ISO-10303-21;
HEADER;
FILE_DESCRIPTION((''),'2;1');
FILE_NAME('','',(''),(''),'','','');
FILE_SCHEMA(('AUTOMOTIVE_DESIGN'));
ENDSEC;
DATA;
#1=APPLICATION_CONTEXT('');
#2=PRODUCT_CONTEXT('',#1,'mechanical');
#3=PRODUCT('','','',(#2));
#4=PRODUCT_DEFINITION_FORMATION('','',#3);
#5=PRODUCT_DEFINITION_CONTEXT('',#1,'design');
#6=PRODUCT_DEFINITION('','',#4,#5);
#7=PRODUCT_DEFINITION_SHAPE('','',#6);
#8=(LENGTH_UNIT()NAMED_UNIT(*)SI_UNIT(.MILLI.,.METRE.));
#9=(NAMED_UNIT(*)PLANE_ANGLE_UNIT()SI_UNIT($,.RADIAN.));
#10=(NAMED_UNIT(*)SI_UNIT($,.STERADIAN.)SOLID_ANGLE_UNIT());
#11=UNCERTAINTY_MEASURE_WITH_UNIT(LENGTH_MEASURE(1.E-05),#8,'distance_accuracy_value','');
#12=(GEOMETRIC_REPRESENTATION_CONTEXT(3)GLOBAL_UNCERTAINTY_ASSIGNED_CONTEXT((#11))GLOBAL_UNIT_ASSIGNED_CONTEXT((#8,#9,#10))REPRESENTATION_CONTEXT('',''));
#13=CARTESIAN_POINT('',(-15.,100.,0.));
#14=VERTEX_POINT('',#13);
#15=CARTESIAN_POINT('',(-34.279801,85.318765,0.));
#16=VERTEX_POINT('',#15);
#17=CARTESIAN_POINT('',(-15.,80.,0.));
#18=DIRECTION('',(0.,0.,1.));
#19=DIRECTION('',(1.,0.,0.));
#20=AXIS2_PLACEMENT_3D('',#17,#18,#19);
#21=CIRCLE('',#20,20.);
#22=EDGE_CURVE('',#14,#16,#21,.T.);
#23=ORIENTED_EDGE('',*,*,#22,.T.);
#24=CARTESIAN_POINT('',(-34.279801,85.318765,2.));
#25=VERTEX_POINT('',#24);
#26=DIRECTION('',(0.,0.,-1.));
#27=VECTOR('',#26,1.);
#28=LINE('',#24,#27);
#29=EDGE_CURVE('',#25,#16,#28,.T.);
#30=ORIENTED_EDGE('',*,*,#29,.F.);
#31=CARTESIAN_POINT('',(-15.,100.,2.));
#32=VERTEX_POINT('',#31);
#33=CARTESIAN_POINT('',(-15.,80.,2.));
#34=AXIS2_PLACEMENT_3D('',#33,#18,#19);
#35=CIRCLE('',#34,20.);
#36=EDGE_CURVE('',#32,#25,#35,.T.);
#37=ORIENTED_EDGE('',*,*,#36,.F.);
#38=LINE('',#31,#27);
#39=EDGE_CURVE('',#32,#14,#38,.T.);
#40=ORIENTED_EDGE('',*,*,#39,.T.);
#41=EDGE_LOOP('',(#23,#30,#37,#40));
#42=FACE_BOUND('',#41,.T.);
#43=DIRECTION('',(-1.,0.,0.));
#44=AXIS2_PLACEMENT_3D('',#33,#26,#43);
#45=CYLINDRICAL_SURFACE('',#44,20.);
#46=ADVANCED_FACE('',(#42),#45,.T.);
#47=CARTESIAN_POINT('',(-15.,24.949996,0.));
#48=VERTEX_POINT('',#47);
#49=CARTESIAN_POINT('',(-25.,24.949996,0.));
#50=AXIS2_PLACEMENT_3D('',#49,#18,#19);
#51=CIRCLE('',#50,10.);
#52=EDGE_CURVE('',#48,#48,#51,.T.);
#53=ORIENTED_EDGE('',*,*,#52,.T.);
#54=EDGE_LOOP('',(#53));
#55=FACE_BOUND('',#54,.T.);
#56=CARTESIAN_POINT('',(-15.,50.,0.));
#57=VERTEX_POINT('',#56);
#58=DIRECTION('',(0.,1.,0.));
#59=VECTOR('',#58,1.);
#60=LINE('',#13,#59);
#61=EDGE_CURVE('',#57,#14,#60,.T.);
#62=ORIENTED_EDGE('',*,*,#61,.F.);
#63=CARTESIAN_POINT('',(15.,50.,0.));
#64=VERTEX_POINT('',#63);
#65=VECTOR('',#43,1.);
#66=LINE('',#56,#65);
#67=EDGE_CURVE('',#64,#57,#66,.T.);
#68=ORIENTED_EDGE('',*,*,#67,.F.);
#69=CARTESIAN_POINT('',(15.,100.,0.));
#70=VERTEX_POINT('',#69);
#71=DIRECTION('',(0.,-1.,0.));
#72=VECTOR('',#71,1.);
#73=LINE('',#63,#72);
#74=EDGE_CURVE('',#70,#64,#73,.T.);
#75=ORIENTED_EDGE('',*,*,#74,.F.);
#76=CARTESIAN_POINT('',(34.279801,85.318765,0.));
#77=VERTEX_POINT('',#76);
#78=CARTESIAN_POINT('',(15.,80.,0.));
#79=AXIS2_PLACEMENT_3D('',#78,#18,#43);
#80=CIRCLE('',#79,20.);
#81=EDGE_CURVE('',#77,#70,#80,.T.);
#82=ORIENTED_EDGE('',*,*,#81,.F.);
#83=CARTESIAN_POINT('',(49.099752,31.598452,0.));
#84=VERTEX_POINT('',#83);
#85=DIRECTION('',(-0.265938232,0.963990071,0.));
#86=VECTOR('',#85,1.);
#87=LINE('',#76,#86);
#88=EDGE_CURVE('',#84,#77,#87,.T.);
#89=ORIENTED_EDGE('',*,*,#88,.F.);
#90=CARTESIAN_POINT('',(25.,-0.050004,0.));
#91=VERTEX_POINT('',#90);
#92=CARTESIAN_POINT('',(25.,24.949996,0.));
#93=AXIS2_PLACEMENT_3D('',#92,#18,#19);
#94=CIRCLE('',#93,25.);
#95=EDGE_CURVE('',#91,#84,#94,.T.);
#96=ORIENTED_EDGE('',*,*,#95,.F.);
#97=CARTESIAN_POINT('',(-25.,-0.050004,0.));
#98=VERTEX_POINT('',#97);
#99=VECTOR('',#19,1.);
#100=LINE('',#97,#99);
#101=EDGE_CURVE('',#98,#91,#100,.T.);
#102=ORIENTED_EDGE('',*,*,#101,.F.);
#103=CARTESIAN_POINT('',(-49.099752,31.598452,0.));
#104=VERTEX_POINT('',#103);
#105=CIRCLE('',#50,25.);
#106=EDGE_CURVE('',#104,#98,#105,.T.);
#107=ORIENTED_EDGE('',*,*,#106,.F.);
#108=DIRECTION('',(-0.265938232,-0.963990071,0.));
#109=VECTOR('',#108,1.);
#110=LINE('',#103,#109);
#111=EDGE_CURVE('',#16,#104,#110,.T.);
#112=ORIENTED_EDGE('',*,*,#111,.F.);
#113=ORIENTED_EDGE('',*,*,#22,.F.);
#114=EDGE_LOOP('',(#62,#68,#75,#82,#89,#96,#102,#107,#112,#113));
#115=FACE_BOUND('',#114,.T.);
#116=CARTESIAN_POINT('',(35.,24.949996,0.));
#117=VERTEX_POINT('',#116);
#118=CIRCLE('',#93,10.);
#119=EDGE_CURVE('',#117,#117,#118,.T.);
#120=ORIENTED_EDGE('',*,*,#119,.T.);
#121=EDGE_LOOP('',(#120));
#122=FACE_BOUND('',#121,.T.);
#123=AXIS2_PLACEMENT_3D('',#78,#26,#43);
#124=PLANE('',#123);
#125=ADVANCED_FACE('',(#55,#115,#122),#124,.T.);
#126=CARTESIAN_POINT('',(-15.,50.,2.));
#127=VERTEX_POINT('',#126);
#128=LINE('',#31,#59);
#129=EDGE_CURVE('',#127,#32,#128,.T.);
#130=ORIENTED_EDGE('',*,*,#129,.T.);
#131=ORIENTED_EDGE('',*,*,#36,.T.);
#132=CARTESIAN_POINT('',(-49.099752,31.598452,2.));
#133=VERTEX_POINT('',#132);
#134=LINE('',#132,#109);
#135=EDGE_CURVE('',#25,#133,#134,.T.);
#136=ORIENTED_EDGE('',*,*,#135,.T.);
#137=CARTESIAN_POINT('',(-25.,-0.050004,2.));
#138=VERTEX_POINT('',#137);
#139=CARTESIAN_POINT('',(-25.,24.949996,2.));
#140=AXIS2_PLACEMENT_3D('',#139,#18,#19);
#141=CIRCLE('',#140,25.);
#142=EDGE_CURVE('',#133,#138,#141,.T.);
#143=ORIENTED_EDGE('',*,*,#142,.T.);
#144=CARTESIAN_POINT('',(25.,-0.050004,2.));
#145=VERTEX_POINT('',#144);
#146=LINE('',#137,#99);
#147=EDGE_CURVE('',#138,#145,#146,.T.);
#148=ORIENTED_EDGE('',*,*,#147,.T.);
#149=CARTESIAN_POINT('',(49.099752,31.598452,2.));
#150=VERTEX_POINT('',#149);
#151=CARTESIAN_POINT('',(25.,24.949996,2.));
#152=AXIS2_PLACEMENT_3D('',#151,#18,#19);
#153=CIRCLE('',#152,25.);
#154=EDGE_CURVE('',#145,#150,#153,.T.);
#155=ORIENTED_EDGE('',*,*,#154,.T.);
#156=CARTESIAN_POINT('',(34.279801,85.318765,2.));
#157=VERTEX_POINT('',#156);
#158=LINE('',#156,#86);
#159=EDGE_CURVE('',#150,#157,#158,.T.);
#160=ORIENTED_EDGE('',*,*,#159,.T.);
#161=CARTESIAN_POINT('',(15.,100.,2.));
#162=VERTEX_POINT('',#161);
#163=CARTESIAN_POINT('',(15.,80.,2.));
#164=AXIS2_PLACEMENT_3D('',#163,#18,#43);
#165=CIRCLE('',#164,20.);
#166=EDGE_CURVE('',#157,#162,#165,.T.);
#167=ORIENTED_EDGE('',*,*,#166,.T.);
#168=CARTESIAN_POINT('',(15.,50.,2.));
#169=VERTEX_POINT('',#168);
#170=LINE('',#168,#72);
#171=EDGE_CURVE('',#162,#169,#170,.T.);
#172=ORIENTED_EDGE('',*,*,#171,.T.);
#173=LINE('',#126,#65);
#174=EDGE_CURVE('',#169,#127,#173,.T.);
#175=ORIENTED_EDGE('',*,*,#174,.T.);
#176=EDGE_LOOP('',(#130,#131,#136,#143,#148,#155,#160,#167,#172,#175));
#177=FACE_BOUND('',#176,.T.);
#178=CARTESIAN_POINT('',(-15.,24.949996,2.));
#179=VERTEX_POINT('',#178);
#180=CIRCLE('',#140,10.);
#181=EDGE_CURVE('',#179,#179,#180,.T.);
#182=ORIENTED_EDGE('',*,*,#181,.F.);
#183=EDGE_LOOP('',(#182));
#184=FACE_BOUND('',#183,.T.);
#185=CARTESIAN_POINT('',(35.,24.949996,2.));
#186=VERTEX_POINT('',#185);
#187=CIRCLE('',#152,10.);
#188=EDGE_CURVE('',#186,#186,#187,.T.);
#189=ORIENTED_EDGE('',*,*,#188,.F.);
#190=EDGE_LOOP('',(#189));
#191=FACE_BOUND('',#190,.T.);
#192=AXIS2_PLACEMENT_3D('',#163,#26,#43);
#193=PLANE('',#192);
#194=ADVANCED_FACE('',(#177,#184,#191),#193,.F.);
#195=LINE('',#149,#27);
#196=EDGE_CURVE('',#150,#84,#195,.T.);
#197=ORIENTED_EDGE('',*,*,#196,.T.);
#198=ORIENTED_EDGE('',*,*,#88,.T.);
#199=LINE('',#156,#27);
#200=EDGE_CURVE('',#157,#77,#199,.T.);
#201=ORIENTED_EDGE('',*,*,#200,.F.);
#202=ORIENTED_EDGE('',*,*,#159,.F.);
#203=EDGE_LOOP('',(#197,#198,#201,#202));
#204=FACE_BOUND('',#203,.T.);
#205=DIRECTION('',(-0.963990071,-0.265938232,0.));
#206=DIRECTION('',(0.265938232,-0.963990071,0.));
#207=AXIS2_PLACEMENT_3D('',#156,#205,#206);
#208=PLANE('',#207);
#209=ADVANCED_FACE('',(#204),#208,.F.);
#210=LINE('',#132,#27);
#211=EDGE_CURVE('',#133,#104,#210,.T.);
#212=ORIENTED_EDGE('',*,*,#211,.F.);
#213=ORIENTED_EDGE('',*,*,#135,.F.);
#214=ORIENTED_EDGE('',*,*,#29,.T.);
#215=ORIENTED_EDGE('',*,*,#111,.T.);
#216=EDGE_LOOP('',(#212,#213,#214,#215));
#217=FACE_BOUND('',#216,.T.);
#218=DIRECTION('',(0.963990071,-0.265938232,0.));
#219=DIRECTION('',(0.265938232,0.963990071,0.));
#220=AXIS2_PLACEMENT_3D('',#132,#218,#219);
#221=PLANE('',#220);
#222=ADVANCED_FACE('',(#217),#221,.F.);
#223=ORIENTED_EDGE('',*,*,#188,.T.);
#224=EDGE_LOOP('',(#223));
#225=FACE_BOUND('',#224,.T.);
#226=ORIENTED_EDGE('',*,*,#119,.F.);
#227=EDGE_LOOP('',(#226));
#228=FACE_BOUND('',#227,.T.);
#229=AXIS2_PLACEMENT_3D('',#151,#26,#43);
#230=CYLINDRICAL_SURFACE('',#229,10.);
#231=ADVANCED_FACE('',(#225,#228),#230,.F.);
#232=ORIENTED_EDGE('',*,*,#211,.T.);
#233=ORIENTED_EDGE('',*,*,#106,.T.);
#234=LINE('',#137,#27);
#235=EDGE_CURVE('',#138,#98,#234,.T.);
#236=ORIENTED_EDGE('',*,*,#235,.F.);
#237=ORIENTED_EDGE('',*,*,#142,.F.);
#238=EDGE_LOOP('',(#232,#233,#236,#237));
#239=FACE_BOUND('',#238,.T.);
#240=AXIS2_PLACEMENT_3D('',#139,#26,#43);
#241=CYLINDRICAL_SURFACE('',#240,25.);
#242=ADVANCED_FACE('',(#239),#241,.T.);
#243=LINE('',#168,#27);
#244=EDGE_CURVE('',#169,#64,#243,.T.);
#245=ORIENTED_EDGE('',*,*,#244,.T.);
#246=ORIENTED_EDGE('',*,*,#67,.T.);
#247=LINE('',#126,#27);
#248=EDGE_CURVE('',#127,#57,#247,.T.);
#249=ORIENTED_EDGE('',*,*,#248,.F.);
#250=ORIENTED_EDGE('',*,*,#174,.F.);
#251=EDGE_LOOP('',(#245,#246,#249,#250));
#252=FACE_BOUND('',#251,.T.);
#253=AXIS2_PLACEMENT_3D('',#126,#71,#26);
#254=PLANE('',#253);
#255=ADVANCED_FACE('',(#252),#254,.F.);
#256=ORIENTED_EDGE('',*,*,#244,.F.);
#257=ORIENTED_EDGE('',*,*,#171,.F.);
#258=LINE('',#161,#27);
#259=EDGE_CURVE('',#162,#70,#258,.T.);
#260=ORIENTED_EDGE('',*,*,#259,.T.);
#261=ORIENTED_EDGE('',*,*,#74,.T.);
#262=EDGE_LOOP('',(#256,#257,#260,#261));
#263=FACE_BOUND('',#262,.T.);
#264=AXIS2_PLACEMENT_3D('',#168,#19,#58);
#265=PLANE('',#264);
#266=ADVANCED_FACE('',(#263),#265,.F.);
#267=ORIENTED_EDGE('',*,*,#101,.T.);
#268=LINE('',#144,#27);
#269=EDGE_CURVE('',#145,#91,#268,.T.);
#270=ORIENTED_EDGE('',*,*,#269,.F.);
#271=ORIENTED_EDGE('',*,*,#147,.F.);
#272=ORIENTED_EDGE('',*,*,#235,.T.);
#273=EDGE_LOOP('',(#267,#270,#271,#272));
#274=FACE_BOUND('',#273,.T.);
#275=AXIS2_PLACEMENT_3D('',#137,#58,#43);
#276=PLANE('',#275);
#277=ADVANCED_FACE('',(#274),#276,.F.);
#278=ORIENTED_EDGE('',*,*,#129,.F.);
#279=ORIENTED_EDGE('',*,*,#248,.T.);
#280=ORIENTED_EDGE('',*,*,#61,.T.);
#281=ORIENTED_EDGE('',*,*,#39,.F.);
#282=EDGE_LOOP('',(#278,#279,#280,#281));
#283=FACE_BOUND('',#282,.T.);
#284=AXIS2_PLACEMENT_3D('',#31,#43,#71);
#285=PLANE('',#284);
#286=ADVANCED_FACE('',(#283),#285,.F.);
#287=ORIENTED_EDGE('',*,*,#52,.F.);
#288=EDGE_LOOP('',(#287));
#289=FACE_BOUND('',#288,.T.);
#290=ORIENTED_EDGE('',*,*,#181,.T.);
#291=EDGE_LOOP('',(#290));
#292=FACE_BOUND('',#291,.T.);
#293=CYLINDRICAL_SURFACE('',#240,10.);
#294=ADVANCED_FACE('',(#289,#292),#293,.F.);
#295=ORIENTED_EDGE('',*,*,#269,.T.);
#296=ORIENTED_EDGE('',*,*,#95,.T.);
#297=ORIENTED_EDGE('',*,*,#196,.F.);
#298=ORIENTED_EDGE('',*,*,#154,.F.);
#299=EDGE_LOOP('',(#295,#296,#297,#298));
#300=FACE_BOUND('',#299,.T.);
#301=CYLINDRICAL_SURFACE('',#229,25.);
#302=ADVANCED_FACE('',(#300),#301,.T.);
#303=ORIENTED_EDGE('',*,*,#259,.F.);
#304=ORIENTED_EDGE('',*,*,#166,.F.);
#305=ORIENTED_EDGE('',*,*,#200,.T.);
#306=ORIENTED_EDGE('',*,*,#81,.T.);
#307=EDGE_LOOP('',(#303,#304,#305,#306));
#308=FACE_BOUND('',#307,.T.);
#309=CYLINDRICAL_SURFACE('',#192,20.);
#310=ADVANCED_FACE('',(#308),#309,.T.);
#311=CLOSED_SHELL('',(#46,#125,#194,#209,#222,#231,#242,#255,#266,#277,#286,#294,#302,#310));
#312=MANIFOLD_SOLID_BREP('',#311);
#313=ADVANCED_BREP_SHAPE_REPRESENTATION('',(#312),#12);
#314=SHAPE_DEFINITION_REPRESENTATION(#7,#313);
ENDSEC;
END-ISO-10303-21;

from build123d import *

# Parameters (mm, degrees)
IZIM2_R                     = 10
Y_KSEKLIK_EKSTR_ZYON1_DEPTH = 2


with BuildPart() as part:
    # Çizim2 → Yükseklik-Ekstrüzyon1 (new body)
    with BuildSketch(Plane.XY):
        with BuildLine():
            Line((-15, 100), (-15, 50))
            Line((-15, 50), (15, 50))
            Line((15, 50), (15, 100))
            ThreePointArc((15, 100), (27.116614772, 95.911871243), (34.279801416, 85.318764647))
            Line((34.279801416, 85.318764647), (49.09975177, 31.59845198))
            ThreePointArc((49.09975177, 31.59845198), (44.889839054, 9.804227706), (25, -0.050003828))
            Line((25, -0.050003828), (-25, -0.050003828))
            ThreePointArc((-25, -0.050003828), (-44.889839054, 9.804227706), (-49.09975177, 31.59845198))
            Line((-49.09975177, 31.59845198), (-34.279801416, 85.318764647))
            ThreePointArc((-34.279801416, 85.318764647), (-27.116614772, 95.911871243), (-15, 100))
        make_face()
        with Locations((-25, 24.949996172)):
            Circle(IZIM2_R, mode=Mode.SUBTRACT)
        with Locations((25, 24.949996172)):
            Circle(IZIM2_R, mode=Mode.SUBTRACT)
    extrude(amount=Y_KSEKLIK_EKSTR_ZYON1_DEPTH)


solid = part.part
